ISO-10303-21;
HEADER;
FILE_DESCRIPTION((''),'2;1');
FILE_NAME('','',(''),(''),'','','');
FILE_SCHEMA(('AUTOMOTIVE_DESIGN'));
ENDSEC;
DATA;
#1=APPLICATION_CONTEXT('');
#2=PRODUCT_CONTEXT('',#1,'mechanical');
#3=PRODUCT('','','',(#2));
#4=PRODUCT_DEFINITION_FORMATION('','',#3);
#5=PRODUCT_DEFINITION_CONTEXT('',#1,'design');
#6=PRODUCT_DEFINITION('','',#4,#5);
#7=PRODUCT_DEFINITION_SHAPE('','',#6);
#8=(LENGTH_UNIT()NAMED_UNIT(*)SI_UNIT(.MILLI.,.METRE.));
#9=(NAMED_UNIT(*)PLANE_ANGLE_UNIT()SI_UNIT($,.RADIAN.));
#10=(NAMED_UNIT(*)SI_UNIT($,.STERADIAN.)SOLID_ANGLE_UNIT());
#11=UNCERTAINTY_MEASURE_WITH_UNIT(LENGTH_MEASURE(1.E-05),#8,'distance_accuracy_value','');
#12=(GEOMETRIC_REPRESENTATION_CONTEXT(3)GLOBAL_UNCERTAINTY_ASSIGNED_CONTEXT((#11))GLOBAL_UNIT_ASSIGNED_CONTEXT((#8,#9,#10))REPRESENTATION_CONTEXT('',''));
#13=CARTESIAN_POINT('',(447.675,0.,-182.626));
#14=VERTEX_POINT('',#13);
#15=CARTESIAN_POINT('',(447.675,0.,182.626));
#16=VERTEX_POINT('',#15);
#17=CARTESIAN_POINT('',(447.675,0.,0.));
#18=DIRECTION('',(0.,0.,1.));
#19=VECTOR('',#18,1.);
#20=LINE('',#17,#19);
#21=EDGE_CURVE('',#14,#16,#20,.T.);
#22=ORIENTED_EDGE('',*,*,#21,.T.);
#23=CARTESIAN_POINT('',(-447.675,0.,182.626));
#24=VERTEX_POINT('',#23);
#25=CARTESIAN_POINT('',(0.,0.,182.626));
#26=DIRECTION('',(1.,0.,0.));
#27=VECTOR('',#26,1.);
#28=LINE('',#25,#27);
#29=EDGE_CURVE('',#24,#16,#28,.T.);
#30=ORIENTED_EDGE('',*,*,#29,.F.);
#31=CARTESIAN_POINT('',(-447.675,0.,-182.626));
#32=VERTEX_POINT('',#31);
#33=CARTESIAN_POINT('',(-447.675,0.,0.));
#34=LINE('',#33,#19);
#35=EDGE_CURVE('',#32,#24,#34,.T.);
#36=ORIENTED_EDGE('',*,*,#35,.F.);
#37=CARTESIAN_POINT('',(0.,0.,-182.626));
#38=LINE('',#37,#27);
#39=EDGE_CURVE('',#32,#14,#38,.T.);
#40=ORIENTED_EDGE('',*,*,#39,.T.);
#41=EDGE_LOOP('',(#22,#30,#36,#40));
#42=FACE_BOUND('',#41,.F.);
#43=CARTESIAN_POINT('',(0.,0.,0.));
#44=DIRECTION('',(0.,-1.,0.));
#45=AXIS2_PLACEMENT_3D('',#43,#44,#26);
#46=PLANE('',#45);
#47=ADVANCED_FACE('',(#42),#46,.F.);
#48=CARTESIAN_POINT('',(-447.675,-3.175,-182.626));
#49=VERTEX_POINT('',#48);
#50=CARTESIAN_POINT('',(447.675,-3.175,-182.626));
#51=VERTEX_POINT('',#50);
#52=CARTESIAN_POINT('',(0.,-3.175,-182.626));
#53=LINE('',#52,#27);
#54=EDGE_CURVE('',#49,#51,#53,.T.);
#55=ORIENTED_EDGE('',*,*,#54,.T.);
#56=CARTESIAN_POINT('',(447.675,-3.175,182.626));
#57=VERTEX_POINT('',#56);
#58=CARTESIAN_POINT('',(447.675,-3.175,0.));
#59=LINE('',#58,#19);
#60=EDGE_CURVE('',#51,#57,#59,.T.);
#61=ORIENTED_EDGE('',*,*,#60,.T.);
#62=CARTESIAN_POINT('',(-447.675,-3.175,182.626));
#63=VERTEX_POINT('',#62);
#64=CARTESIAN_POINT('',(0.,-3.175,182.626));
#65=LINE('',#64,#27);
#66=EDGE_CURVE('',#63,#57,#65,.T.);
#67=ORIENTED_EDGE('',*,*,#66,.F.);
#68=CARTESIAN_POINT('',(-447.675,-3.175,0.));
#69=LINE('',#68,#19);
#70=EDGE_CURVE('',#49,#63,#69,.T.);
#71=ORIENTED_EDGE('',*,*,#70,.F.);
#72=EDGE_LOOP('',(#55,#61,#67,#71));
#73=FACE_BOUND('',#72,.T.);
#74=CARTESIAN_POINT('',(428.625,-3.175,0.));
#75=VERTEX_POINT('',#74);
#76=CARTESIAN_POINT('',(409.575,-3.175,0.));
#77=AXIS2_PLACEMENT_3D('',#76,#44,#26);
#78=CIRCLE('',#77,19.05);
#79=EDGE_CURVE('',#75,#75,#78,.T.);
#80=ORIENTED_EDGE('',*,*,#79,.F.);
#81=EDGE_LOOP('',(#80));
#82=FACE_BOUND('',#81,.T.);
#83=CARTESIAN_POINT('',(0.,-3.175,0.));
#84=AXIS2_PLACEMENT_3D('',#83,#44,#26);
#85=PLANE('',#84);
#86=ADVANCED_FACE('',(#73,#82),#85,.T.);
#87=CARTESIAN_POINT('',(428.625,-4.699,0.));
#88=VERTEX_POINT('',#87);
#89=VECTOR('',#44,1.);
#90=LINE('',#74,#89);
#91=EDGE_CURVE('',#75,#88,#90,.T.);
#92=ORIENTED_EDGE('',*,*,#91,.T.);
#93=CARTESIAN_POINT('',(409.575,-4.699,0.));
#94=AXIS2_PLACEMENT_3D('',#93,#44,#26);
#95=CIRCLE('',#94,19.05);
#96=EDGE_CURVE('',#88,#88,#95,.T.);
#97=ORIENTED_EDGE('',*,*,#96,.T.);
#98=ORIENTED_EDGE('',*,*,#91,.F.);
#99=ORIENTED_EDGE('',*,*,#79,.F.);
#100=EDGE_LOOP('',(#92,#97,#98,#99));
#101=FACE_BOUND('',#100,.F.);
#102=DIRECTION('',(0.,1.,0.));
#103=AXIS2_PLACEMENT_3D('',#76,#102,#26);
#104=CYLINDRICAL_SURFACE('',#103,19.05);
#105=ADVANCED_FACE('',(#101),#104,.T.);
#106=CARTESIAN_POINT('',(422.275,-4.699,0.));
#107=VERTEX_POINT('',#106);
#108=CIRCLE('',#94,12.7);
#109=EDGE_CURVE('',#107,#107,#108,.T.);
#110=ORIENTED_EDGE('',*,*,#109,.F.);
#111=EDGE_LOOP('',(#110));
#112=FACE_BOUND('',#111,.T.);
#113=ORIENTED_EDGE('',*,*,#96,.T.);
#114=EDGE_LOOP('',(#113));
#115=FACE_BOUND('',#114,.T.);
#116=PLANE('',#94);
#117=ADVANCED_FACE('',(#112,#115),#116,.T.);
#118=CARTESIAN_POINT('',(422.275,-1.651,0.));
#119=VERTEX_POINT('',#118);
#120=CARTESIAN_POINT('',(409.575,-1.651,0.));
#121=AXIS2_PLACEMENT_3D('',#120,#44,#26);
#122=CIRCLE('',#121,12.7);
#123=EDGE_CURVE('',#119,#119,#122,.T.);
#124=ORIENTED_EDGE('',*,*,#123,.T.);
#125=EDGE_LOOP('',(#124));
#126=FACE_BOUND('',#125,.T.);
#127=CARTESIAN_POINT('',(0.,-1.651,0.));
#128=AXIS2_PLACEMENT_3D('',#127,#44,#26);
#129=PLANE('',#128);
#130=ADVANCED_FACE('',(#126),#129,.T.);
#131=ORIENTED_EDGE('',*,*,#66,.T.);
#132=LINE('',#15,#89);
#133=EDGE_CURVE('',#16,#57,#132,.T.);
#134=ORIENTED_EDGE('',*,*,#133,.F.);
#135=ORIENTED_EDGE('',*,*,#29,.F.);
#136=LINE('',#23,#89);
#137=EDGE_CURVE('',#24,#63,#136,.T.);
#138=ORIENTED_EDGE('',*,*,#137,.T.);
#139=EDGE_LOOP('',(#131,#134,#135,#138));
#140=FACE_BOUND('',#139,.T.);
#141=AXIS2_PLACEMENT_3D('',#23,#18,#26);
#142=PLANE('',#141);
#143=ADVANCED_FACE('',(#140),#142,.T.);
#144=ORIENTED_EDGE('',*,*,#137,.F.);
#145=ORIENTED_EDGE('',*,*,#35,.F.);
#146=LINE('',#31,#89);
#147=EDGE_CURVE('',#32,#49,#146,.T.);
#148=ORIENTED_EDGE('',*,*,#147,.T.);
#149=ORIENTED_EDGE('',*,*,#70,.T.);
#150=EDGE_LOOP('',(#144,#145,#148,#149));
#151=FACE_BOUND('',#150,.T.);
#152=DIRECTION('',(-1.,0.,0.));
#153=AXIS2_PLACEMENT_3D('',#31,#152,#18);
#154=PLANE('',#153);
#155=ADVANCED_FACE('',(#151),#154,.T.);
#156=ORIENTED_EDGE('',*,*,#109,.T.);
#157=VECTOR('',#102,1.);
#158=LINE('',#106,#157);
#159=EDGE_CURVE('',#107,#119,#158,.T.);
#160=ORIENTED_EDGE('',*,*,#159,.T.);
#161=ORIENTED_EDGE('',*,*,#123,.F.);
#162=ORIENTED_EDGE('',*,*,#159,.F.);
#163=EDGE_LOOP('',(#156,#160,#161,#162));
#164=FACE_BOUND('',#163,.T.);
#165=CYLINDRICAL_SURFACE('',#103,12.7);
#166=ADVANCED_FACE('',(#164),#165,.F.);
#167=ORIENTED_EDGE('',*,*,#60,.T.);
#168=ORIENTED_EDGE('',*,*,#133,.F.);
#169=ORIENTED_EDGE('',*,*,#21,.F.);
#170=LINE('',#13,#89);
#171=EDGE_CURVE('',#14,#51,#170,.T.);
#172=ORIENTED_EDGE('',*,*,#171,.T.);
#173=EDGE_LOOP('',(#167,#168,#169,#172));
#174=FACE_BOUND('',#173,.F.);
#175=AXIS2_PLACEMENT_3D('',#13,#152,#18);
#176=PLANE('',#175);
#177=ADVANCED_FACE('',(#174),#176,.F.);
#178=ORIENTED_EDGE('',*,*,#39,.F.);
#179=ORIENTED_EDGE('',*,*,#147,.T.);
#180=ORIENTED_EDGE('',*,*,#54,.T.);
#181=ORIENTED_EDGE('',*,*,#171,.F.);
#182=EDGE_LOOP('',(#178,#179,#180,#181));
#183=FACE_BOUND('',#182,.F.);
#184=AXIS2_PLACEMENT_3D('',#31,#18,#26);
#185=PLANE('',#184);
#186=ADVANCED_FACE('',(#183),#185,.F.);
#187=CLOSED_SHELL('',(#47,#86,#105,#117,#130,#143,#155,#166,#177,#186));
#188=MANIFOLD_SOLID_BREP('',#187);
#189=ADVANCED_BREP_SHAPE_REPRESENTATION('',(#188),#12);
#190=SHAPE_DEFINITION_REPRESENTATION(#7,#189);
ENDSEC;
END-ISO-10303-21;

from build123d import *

# Parameters (mm, degrees)
F0_W     = 895.35
F0_H     = 365.252
F1_DEPTH = 3.175
F2_R     = 19.05
F2_R_2   = 12.7
F3_DEPTH = 1.524
F4_DEPTH = 1.524


with BuildPart() as f1:
    # F0 (on Front) → F1 (new body)
    with BuildSketch(Plane.XZ):
        Rectangle(F0_W, F0_H)
    extrude(amount=F1_DEPTH)

    # F2 (on face) → F3 (join)
    with BuildSketch(Plane.XZ.offset(3.175)):
        with Locations((409.575, 0)):
            Circle(F2_R)
        with Locations((409.575, 0)):
            Circle(F2_R_2, mode=Mode.SUBTRACT)
    extrude(amount=F3_DEPTH)

    # F4 (cut): a face of the model
    f4_faces = [f1.faces().sort_by_distance(p)[0] for p in [
        (409.575, -3.175, 0),
    ]]
    extrude(f4_faces, amount=-F4_DEPTH, mode=Mode.SUBTRACT)


solid = f1.part
